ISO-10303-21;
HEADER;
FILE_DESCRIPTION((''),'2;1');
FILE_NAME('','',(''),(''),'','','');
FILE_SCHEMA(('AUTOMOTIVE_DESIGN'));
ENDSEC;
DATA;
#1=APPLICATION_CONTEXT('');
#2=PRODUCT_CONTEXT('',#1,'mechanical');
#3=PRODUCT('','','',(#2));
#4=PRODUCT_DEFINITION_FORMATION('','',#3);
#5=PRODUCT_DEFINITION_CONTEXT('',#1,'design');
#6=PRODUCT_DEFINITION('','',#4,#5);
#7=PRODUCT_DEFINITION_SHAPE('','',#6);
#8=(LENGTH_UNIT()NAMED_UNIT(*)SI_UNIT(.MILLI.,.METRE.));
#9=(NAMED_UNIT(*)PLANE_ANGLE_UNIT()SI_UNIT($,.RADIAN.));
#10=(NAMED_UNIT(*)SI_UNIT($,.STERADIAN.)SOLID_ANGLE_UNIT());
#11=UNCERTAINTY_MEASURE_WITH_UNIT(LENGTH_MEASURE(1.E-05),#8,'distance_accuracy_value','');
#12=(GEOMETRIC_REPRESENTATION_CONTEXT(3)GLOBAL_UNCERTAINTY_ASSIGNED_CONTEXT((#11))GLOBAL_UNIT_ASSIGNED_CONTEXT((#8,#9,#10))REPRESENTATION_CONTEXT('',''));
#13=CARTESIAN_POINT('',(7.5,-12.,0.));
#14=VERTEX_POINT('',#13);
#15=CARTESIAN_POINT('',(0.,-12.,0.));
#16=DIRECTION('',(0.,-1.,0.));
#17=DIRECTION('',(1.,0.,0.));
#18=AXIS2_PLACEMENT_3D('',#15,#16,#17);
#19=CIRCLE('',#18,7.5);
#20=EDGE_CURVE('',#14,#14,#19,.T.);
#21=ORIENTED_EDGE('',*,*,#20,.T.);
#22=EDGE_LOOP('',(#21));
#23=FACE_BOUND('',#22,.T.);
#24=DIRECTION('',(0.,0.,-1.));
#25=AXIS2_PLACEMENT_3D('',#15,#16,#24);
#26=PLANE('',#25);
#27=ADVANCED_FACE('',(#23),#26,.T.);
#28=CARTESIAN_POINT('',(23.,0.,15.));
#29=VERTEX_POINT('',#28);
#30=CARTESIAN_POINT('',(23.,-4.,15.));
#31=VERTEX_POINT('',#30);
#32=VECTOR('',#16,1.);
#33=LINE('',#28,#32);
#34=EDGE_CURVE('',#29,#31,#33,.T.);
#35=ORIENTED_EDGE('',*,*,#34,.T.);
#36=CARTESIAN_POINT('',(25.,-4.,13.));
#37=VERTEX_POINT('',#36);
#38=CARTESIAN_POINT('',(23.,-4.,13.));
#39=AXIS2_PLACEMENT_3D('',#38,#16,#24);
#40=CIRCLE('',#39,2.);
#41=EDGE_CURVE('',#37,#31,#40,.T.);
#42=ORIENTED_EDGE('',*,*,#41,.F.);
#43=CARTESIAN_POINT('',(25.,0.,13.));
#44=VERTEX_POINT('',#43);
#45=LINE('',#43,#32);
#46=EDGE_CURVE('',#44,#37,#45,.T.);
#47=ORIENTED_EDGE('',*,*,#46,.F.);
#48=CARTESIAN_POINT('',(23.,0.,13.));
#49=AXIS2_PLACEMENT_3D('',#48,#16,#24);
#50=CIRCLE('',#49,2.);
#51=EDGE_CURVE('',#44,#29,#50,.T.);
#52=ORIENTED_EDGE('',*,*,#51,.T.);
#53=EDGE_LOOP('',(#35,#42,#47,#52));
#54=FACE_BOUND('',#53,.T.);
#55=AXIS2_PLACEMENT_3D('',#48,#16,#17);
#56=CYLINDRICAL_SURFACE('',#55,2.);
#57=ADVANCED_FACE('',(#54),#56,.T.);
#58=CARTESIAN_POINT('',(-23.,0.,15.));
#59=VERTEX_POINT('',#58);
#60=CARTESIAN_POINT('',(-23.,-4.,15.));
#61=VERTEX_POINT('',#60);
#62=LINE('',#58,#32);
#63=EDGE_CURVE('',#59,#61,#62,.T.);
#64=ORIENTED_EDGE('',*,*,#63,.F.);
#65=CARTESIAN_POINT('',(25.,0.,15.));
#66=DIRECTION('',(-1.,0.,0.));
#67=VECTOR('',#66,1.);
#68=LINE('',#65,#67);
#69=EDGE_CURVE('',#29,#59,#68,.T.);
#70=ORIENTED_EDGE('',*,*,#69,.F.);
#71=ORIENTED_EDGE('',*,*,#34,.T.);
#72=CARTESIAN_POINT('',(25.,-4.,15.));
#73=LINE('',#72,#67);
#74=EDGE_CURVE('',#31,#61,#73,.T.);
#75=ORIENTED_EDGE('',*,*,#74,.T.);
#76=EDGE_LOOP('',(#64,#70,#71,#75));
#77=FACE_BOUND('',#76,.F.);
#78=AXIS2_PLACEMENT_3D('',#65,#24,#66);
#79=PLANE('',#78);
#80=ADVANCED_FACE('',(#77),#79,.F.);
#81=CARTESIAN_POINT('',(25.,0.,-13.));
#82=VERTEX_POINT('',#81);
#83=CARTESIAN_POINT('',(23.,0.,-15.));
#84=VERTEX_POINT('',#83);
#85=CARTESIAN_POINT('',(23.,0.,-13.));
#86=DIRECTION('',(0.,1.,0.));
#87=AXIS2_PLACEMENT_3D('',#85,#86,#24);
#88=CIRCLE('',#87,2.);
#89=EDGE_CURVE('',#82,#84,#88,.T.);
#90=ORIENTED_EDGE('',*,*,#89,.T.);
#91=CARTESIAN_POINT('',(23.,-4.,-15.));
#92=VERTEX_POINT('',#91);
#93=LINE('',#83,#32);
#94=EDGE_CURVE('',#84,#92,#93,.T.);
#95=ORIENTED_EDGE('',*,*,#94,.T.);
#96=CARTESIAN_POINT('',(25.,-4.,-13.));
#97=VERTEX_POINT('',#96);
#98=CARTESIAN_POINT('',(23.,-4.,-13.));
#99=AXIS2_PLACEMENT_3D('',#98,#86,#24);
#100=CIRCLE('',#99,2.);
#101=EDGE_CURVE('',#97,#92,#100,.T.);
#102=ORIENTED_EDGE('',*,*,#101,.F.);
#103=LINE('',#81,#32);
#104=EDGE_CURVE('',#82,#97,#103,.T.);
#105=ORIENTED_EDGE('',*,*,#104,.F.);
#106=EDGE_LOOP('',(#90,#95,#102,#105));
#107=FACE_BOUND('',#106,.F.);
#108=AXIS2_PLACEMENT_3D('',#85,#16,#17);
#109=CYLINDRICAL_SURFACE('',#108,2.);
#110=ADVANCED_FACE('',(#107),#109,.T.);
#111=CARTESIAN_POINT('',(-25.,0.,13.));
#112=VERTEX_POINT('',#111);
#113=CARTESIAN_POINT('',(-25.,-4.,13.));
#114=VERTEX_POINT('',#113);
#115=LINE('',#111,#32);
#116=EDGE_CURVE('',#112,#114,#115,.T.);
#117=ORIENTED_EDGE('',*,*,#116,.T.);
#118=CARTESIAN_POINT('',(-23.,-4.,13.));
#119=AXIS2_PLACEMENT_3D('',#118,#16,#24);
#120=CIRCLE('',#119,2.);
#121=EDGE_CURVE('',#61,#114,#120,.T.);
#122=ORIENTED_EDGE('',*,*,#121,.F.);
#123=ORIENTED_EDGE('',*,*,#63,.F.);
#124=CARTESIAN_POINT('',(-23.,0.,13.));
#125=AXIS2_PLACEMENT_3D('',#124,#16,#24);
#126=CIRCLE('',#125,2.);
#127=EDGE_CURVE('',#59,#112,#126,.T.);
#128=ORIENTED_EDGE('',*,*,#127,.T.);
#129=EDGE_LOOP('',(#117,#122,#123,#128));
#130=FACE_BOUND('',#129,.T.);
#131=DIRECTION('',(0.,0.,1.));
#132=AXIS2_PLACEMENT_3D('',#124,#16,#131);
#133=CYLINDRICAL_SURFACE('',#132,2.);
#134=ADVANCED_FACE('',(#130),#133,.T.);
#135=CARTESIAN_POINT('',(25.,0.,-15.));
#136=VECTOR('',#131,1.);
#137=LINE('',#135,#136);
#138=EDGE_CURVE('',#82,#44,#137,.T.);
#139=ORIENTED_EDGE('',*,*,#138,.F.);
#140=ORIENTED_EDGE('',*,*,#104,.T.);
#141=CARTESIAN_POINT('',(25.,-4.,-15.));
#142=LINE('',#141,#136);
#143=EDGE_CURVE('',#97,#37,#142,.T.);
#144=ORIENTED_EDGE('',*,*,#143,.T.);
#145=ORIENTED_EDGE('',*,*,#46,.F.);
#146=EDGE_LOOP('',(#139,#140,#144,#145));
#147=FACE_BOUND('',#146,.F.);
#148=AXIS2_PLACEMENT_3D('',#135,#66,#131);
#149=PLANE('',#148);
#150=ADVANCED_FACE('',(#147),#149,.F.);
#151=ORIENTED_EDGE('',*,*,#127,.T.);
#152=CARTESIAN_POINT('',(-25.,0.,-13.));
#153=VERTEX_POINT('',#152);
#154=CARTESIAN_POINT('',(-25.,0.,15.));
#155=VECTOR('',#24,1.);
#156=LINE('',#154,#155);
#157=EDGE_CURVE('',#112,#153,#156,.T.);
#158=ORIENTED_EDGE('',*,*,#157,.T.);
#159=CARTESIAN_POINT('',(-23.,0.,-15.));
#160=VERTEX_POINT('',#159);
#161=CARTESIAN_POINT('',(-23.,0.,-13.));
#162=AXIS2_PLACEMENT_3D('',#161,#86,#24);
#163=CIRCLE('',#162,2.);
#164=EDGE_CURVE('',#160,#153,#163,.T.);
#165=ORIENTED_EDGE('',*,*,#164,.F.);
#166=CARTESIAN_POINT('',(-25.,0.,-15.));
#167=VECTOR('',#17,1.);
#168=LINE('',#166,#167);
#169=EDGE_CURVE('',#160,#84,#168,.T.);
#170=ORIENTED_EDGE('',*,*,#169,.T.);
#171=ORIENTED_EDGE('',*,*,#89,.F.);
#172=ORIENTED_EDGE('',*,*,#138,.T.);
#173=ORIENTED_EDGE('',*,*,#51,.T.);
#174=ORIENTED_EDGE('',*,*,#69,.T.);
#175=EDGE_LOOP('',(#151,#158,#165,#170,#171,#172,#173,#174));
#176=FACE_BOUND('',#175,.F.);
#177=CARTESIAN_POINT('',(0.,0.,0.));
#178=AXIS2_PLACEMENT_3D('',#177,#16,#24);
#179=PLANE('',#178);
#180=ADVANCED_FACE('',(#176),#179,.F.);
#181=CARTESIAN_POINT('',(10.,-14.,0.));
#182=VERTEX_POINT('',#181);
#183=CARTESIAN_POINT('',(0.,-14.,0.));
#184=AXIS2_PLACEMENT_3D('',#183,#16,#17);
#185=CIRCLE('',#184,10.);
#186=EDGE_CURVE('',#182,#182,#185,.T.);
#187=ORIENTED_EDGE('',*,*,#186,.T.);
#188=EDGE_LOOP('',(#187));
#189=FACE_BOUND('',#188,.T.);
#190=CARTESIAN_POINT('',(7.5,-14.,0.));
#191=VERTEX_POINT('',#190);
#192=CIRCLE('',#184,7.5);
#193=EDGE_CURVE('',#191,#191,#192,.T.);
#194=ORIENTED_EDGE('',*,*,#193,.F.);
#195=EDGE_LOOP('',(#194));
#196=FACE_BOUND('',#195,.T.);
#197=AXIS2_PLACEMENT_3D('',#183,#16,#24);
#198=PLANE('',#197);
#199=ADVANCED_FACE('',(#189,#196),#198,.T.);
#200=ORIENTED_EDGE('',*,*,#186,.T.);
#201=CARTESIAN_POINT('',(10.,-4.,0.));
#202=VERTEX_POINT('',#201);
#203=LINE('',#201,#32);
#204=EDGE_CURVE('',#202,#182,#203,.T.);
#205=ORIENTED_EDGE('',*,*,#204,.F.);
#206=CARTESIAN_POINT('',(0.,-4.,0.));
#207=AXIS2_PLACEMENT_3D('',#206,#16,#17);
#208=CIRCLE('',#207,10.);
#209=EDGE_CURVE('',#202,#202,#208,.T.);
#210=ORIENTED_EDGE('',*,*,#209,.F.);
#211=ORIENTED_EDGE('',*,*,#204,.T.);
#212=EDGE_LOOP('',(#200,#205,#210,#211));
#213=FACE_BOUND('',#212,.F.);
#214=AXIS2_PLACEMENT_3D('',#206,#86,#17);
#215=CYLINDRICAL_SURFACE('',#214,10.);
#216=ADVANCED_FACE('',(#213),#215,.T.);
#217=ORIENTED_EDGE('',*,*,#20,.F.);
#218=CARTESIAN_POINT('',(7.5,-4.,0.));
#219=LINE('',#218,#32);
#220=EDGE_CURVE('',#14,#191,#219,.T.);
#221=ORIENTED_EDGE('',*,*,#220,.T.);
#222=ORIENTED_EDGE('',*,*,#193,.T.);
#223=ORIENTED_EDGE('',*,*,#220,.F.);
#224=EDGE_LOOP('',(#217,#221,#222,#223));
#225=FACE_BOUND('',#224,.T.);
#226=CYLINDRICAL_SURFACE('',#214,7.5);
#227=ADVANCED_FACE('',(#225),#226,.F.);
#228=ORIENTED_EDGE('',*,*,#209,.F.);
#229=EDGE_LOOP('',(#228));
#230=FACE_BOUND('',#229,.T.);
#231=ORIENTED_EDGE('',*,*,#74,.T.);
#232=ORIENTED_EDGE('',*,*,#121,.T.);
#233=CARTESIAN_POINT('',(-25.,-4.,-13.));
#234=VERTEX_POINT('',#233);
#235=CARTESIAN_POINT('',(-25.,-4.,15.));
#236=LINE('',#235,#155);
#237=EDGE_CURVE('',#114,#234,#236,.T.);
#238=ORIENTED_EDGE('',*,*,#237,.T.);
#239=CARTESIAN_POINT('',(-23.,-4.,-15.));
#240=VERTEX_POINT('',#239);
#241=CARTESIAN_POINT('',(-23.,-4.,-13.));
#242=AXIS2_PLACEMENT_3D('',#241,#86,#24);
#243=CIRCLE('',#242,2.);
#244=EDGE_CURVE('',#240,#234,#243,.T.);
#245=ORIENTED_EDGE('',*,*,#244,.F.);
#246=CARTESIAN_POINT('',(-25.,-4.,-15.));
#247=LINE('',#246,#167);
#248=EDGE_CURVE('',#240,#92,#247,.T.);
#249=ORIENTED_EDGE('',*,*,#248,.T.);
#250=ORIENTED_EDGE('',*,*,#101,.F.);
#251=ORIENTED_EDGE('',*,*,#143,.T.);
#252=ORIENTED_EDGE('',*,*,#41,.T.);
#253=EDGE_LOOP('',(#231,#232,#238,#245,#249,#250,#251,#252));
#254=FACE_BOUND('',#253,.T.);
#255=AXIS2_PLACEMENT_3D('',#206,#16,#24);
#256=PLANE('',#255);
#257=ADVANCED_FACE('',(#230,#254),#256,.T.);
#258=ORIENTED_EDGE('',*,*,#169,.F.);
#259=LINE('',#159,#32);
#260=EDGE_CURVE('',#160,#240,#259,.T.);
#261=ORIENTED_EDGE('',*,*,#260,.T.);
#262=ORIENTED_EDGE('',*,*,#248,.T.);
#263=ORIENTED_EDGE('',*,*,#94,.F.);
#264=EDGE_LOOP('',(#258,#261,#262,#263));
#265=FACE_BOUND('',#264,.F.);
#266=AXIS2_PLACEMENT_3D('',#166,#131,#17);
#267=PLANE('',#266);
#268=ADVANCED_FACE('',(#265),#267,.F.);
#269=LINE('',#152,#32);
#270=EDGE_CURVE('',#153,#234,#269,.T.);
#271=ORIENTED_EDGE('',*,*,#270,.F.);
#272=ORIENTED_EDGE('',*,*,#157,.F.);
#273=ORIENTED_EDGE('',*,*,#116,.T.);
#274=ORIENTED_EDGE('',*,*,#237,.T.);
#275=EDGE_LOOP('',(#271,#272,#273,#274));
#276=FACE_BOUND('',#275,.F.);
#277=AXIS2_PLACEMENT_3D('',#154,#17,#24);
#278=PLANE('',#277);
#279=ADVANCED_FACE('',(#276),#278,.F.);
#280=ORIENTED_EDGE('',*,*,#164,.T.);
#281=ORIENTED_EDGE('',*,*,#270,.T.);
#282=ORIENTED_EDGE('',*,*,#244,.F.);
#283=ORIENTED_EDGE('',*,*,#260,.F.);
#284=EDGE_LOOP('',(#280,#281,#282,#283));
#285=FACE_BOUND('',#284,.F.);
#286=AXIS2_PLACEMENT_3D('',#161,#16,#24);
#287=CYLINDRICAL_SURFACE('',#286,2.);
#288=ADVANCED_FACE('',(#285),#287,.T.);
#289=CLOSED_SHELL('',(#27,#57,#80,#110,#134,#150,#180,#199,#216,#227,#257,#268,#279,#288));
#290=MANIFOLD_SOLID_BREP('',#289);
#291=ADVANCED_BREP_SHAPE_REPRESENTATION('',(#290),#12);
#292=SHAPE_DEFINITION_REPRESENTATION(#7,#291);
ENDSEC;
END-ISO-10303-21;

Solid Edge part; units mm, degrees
sketch "Sketch1" plane through (0, 0, 0) normal (0, -1, 0) x (1, 0, 0)
  line L0 (25, -15) -> (25, 15)
  line L1 (25, 15) -> (-25, 15)
  line L2 (-25, 15) -> (-25, -15)
  line L3 (-25, -15) -> (25, -15)
extrude "Protrusion1" add sketch "Sketch1" along normal blind 4
sketch "Sketch2" plane through (0, -4, 0) normal (0, -1, 0) x (1, 0, 0)
  circle A0 centre (0, 0) radius 7.5
extrude "ExtrudedProtrusion_2" add sketch "Sketch2" along normal blind 8
sketch "Sketch3" plane through (0, -4, 0) normal (0, -1, 0) x (1, 0, 0)
  circle A0 centre (0, 0) radius 10
  circle A1 centre (0, 0) radius 7.5
  dimension "D1" = 20
  dimension "D2" = 15
extrude "ExtrudedProtrusion_3" add sketch "Sketch3" along normal blind 10
fillet "Round_1" radius 2 4 edges at (25, -2, 15) (25, -2, -15) (-25, -2, -15) (-25, -2, 15)
